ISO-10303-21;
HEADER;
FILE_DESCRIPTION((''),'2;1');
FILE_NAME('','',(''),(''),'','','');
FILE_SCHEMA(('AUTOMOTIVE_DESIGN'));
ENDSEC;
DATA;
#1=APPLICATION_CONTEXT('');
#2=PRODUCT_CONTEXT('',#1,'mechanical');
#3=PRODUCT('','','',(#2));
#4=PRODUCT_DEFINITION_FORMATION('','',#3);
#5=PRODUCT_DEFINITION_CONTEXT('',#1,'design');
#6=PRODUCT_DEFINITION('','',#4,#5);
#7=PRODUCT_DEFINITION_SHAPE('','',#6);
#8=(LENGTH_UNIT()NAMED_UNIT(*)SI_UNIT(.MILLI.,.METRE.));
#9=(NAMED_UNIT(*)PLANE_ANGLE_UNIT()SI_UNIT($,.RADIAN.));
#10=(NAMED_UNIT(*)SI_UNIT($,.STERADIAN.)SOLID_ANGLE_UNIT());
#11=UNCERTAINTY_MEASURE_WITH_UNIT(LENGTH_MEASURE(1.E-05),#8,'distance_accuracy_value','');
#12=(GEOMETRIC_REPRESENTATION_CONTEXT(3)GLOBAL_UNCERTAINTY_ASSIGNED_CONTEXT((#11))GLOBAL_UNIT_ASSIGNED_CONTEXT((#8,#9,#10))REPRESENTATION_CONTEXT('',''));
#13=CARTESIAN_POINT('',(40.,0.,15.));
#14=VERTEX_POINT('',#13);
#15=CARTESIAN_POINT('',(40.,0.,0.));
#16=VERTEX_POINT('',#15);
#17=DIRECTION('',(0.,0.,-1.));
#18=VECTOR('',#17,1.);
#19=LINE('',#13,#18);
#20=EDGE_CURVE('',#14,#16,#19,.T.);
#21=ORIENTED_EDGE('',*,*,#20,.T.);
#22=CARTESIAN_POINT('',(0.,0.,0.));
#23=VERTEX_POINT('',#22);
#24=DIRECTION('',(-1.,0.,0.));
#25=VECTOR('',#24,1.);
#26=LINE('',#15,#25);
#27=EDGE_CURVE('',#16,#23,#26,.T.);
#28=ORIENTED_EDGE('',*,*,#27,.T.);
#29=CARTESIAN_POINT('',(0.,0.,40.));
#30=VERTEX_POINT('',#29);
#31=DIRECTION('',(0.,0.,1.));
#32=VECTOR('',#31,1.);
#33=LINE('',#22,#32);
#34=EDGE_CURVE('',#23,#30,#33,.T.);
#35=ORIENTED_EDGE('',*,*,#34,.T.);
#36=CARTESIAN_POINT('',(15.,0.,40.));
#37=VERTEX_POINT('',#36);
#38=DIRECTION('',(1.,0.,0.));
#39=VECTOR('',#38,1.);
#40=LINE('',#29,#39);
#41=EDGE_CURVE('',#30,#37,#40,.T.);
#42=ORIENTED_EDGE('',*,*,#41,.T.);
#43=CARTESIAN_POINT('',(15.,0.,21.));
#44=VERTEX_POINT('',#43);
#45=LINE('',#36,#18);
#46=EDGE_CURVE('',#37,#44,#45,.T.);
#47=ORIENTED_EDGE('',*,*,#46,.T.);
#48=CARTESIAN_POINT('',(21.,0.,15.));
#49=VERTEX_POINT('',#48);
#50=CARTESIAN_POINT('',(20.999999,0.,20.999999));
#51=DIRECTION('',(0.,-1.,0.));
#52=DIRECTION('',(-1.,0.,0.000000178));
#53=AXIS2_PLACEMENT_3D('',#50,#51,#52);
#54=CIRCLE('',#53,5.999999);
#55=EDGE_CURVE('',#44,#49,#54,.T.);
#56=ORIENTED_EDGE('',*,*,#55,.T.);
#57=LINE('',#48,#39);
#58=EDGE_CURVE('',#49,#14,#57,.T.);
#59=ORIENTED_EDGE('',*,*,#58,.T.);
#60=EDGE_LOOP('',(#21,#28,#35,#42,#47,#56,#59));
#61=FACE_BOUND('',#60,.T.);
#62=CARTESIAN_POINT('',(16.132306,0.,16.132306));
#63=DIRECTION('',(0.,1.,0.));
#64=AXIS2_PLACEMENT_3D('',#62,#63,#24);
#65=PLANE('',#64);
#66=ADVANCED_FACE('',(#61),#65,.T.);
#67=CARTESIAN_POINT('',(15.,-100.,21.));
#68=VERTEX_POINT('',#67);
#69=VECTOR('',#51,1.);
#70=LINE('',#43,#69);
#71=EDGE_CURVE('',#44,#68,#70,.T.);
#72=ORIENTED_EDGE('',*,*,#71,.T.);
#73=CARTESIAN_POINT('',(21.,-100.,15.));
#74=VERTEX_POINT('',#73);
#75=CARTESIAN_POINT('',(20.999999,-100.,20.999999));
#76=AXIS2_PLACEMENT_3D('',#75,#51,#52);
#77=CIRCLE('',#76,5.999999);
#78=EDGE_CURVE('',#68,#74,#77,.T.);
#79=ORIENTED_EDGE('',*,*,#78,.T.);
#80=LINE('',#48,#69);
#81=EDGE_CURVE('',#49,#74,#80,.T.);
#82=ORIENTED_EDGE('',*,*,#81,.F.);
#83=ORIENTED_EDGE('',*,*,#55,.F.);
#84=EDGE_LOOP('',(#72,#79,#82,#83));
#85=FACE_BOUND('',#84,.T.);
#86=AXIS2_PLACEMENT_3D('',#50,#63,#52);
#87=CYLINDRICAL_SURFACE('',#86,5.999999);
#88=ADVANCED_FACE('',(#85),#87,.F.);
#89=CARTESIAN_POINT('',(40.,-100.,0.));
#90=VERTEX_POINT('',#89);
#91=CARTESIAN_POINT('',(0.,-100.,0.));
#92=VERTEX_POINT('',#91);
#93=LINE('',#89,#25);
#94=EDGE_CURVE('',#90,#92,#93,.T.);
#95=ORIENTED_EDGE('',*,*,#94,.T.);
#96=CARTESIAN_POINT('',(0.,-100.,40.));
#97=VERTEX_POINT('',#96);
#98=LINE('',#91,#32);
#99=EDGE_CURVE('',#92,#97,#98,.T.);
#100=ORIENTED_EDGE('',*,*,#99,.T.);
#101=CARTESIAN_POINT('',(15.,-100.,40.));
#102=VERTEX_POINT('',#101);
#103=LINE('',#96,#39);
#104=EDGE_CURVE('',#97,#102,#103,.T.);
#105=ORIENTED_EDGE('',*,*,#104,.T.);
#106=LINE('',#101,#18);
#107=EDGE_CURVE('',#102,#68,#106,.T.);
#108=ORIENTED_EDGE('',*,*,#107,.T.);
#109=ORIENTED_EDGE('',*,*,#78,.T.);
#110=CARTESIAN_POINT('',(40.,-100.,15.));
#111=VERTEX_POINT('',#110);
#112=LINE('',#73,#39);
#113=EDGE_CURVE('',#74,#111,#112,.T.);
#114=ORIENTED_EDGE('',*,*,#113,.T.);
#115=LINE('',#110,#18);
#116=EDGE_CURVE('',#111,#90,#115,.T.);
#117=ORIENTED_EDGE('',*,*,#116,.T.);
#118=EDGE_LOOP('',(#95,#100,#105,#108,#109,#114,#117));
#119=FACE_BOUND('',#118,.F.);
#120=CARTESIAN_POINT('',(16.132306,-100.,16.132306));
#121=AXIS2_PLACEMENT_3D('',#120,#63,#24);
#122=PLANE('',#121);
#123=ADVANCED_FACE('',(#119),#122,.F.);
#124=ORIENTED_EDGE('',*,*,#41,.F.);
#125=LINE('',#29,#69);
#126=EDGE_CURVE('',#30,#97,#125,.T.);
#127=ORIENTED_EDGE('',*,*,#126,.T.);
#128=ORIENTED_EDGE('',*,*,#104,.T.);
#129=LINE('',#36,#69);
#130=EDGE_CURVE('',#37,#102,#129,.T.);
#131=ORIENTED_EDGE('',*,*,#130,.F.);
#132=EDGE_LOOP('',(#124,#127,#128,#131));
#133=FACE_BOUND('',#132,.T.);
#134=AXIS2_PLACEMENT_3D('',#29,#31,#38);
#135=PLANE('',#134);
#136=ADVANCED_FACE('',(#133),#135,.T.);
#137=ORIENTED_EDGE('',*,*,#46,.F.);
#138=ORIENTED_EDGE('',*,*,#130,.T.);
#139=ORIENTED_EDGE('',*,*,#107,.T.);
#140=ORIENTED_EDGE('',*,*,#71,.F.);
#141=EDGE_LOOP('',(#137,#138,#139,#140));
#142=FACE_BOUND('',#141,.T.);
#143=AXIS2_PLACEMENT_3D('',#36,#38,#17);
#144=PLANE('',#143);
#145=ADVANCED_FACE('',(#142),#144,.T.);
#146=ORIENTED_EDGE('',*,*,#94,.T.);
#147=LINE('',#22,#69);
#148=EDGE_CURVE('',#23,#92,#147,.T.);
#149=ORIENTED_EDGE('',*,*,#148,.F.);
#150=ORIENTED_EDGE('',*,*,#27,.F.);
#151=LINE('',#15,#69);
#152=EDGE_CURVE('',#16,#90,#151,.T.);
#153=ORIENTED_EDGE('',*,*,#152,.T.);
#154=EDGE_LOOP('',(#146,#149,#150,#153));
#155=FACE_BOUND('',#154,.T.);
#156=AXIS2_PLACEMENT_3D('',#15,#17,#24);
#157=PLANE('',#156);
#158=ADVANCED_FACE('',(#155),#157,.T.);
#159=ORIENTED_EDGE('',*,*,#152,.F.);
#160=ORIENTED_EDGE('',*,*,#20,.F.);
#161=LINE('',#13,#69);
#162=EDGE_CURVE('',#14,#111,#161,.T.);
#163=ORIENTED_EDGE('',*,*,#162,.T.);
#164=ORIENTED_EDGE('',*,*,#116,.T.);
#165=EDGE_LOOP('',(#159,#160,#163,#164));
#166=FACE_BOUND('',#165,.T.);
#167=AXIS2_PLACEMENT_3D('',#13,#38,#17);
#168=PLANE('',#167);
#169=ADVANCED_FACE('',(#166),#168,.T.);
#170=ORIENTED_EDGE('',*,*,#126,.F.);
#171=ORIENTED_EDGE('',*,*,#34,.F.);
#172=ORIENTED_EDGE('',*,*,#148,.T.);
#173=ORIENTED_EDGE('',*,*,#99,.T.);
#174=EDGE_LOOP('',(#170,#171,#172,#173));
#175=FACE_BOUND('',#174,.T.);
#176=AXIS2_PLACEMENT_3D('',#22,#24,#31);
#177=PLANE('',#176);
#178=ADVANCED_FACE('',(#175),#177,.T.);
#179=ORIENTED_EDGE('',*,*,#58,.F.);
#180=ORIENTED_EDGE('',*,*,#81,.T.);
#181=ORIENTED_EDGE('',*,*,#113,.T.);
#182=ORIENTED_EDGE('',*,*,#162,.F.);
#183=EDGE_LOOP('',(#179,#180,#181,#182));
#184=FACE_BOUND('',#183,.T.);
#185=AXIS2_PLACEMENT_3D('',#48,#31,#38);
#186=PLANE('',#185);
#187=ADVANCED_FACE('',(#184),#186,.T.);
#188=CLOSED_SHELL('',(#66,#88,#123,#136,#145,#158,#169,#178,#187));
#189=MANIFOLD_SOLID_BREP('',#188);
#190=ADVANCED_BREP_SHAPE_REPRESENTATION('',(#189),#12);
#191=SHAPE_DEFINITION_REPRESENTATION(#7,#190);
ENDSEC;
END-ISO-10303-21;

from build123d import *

# Parameters (mm, degrees)
PAD_DEPTH = 100


with BuildPart() as part:
    # Sketch → Pad (new body)
    with BuildSketch(Plane.XZ):
        with BuildLine():
            Line((0, 0), (0, 40))
            Line((0, 40), (15, 40))
            Line((15, 40), (15, 21))
            ThreePointArc((15, 21), (16.757359, 16.757359), (21, 15))
            Line((21, 15), (40, 15))
            Line((40, 15), (40, 0))
            Line((40, 0), (0, 0))
        make_face()
    extrude(amount=PAD_DEPTH)


solid = part.part
